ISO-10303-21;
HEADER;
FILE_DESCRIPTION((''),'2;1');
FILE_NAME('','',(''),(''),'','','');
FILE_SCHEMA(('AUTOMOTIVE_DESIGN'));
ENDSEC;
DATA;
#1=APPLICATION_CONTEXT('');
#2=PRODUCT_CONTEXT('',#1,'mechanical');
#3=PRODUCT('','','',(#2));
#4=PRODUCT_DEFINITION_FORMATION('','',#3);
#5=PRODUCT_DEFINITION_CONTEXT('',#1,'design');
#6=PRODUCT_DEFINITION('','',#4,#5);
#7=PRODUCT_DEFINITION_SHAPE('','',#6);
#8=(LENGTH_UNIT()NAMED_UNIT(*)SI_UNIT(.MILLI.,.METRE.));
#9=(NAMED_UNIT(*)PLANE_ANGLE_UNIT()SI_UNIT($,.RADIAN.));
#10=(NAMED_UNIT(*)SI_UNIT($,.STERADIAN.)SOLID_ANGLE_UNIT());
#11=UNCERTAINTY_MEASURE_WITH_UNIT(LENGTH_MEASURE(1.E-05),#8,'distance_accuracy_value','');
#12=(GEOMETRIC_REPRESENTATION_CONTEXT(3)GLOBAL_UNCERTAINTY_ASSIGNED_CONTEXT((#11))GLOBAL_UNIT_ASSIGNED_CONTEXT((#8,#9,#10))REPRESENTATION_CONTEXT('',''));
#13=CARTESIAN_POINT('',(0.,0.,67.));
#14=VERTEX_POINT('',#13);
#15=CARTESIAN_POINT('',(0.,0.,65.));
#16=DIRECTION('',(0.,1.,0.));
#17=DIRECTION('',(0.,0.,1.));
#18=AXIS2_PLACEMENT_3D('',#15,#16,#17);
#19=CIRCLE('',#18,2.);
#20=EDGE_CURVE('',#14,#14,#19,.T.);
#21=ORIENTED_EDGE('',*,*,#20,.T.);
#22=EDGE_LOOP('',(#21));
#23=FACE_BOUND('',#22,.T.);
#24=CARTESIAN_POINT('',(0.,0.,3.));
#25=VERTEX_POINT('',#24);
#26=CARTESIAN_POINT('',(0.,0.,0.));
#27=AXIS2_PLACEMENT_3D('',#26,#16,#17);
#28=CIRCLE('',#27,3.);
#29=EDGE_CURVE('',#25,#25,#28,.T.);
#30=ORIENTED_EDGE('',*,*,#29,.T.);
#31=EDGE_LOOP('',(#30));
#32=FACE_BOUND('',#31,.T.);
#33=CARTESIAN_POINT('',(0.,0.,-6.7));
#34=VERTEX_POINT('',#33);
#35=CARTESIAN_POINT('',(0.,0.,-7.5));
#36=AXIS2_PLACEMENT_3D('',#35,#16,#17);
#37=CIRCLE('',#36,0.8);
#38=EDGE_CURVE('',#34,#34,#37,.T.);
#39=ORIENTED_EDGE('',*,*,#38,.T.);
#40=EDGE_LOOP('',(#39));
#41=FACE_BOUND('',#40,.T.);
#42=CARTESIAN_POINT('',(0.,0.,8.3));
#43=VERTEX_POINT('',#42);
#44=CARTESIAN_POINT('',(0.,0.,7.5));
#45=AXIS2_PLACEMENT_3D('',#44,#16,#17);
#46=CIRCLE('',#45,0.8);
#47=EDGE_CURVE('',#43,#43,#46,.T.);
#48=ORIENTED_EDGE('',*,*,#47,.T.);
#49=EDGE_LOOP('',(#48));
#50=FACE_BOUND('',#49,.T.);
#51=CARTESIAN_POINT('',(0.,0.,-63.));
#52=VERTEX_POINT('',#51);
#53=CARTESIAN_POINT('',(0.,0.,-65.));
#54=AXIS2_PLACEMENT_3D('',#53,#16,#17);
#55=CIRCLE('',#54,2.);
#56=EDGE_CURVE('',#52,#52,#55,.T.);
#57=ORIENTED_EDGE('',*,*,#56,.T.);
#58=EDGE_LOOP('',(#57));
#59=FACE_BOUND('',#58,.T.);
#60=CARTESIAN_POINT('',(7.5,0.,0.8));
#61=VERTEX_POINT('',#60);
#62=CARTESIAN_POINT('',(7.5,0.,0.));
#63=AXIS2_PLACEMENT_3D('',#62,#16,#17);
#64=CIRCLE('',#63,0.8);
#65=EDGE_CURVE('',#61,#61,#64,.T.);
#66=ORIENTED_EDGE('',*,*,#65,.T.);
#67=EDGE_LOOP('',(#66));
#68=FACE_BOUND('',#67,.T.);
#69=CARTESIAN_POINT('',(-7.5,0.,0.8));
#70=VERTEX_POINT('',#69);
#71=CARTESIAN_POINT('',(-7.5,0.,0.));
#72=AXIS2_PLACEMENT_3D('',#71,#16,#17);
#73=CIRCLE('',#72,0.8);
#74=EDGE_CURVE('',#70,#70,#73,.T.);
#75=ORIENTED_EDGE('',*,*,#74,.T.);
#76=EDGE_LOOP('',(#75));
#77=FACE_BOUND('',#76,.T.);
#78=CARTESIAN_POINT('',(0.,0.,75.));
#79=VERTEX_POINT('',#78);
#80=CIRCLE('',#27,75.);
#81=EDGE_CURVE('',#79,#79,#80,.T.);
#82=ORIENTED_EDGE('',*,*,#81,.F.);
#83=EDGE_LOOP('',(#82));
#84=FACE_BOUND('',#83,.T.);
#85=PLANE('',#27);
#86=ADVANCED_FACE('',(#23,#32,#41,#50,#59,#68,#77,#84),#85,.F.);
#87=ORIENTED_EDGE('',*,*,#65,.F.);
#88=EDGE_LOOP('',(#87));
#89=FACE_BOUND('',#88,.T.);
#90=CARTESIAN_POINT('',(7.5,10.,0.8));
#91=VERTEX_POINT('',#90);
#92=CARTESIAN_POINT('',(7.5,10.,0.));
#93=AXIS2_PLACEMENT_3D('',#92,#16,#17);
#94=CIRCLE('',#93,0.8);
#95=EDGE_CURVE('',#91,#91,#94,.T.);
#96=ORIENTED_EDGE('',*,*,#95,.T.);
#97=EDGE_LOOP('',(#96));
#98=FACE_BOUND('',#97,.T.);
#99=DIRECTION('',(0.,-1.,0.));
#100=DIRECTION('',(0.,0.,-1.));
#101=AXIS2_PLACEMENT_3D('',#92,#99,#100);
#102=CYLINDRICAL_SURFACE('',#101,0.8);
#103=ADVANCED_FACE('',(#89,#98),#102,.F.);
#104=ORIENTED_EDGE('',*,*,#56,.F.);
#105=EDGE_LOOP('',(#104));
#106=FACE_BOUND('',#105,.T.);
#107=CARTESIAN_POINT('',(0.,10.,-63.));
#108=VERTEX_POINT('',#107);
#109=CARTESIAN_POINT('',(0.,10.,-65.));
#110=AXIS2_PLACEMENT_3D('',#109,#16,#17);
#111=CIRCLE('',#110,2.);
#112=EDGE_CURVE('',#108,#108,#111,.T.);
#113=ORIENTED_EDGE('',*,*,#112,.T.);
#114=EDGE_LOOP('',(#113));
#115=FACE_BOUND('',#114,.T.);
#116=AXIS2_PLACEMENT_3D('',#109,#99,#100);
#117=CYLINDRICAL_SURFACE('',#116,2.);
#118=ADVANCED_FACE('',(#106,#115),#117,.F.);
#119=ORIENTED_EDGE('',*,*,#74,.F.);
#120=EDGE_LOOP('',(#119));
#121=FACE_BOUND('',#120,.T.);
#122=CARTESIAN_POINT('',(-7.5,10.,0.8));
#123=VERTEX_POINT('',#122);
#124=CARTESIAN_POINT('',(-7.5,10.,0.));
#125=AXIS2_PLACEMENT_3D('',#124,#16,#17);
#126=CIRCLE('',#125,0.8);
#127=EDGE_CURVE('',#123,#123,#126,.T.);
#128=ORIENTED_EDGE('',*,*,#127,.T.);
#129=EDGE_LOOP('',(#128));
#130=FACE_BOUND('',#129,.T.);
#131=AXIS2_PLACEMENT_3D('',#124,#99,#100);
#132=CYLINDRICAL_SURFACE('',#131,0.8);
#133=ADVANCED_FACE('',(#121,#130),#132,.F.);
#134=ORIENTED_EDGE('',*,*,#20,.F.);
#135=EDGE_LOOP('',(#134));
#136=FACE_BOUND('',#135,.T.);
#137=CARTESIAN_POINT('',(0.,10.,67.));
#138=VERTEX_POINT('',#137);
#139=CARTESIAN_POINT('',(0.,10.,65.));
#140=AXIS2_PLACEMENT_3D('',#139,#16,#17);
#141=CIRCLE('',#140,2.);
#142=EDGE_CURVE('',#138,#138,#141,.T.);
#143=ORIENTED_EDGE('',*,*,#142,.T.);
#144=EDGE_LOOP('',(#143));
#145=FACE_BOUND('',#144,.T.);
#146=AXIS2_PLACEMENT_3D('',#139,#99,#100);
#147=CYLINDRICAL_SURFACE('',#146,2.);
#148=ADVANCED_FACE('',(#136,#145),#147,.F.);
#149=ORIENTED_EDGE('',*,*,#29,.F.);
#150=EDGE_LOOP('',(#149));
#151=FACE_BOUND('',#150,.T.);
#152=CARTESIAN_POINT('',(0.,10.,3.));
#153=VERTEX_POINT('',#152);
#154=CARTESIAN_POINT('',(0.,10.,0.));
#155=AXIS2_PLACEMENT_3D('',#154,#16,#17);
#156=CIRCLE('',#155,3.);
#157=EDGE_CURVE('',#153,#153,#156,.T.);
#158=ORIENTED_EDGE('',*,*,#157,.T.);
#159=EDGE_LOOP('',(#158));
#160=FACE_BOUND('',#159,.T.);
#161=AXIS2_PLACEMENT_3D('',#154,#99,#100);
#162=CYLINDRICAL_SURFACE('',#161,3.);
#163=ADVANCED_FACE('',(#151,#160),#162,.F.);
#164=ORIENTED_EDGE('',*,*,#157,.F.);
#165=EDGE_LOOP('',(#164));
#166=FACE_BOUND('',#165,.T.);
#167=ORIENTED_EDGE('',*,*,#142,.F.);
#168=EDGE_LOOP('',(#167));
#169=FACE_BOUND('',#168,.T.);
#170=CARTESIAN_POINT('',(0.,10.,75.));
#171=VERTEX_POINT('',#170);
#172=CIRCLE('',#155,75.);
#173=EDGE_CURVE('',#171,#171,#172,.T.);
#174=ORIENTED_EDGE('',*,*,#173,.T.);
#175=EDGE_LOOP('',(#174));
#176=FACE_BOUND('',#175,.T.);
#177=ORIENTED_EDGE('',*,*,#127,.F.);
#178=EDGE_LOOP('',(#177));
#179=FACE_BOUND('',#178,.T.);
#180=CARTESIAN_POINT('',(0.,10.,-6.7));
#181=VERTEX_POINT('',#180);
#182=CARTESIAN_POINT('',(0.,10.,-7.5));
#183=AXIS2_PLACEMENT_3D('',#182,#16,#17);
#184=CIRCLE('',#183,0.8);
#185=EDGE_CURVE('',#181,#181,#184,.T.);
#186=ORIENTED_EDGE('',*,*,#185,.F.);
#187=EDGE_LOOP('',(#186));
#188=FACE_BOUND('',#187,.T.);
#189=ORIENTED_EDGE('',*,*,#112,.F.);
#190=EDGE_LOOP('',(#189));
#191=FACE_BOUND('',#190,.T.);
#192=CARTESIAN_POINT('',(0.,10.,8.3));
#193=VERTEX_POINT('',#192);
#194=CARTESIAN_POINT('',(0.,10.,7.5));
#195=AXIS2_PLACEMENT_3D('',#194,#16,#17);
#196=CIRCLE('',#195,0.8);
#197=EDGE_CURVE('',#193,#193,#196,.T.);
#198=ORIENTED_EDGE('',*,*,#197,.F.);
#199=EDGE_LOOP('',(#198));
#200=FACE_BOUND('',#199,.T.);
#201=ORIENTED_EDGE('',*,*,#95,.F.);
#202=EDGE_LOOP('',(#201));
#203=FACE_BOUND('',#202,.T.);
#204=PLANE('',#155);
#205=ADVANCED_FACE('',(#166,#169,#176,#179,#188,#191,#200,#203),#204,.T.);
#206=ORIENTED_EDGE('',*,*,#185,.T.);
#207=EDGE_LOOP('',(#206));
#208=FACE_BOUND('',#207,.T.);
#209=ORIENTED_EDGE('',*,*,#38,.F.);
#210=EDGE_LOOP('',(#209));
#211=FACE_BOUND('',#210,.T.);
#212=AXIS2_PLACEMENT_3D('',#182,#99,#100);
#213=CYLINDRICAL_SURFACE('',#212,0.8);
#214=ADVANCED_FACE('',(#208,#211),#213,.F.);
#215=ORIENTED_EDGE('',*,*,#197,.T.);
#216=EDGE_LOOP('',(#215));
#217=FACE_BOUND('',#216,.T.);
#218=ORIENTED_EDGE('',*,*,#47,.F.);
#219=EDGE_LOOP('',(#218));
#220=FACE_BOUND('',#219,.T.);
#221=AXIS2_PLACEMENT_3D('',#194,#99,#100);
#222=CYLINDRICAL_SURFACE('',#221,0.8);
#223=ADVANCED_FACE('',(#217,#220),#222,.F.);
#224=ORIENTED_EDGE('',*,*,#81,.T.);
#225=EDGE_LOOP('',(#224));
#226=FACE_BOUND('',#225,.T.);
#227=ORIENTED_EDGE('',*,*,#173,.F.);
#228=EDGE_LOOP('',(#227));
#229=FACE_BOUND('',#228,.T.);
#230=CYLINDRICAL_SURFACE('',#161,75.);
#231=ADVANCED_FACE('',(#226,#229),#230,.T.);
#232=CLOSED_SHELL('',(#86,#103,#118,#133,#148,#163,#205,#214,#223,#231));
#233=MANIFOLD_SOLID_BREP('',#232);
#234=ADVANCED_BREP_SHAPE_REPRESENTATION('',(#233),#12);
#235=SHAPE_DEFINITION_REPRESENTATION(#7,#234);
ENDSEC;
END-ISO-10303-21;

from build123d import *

# Parameters (mm, degrees)
ESQUISSE1_R        = 75
ESQUISSE1_R_2      = 0.8
ESQUISSE1_R_3      = 3
ESQUISSE1_R_4      = 2
BOSS_EXTRU_1_DEPTH = 10


with BuildPart() as part:
    # Esquisse1 → Boss.-Extru.1 (new body)
    with BuildSketch(Plane(origin=(0, 0, 0), x_dir=(1, 0, 0), z_dir=(0, 1, 0))):
        with Locations(Location((0, 0, 0), (0, 0, 270))):
            Circle(ESQUISSE1_R)
        with Locations(Location((0, -7.5, 0), (0, 0, 270))):
            Circle(ESQUISSE1_R_2, mode=Mode.SUBTRACT)
        with Locations(Location((-7.5, 0, 0), (0, 0, 270))):
            Circle(ESQUISSE1_R_2, mode=Mode.SUBTRACT)
        with Locations(Location((0, 7.5, 0), (0, 0, 270))):
            Circle(ESQUISSE1_R_2, mode=Mode.SUBTRACT)
        with Locations(Location((7.5, 0, 0), (0, 0, 270))):
            Circle(ESQUISSE1_R_2, mode=Mode.SUBTRACT)
        with Locations(Location((0, 0, 0), (0, 0, 270))):
            Circle(ESQUISSE1_R_3, mode=Mode.SUBTRACT)
        with Locations(Location((0, 65, 0), (0, 0, 270))):
            Circle(ESQUISSE1_R_4, mode=Mode.SUBTRACT)
        with Locations(Location((0, -65, 0), (0, 0, 270))):
            Circle(ESQUISSE1_R_4, mode=Mode.SUBTRACT)
    extrude(amount=BOSS_EXTRU_1_DEPTH)


solid = part.part
